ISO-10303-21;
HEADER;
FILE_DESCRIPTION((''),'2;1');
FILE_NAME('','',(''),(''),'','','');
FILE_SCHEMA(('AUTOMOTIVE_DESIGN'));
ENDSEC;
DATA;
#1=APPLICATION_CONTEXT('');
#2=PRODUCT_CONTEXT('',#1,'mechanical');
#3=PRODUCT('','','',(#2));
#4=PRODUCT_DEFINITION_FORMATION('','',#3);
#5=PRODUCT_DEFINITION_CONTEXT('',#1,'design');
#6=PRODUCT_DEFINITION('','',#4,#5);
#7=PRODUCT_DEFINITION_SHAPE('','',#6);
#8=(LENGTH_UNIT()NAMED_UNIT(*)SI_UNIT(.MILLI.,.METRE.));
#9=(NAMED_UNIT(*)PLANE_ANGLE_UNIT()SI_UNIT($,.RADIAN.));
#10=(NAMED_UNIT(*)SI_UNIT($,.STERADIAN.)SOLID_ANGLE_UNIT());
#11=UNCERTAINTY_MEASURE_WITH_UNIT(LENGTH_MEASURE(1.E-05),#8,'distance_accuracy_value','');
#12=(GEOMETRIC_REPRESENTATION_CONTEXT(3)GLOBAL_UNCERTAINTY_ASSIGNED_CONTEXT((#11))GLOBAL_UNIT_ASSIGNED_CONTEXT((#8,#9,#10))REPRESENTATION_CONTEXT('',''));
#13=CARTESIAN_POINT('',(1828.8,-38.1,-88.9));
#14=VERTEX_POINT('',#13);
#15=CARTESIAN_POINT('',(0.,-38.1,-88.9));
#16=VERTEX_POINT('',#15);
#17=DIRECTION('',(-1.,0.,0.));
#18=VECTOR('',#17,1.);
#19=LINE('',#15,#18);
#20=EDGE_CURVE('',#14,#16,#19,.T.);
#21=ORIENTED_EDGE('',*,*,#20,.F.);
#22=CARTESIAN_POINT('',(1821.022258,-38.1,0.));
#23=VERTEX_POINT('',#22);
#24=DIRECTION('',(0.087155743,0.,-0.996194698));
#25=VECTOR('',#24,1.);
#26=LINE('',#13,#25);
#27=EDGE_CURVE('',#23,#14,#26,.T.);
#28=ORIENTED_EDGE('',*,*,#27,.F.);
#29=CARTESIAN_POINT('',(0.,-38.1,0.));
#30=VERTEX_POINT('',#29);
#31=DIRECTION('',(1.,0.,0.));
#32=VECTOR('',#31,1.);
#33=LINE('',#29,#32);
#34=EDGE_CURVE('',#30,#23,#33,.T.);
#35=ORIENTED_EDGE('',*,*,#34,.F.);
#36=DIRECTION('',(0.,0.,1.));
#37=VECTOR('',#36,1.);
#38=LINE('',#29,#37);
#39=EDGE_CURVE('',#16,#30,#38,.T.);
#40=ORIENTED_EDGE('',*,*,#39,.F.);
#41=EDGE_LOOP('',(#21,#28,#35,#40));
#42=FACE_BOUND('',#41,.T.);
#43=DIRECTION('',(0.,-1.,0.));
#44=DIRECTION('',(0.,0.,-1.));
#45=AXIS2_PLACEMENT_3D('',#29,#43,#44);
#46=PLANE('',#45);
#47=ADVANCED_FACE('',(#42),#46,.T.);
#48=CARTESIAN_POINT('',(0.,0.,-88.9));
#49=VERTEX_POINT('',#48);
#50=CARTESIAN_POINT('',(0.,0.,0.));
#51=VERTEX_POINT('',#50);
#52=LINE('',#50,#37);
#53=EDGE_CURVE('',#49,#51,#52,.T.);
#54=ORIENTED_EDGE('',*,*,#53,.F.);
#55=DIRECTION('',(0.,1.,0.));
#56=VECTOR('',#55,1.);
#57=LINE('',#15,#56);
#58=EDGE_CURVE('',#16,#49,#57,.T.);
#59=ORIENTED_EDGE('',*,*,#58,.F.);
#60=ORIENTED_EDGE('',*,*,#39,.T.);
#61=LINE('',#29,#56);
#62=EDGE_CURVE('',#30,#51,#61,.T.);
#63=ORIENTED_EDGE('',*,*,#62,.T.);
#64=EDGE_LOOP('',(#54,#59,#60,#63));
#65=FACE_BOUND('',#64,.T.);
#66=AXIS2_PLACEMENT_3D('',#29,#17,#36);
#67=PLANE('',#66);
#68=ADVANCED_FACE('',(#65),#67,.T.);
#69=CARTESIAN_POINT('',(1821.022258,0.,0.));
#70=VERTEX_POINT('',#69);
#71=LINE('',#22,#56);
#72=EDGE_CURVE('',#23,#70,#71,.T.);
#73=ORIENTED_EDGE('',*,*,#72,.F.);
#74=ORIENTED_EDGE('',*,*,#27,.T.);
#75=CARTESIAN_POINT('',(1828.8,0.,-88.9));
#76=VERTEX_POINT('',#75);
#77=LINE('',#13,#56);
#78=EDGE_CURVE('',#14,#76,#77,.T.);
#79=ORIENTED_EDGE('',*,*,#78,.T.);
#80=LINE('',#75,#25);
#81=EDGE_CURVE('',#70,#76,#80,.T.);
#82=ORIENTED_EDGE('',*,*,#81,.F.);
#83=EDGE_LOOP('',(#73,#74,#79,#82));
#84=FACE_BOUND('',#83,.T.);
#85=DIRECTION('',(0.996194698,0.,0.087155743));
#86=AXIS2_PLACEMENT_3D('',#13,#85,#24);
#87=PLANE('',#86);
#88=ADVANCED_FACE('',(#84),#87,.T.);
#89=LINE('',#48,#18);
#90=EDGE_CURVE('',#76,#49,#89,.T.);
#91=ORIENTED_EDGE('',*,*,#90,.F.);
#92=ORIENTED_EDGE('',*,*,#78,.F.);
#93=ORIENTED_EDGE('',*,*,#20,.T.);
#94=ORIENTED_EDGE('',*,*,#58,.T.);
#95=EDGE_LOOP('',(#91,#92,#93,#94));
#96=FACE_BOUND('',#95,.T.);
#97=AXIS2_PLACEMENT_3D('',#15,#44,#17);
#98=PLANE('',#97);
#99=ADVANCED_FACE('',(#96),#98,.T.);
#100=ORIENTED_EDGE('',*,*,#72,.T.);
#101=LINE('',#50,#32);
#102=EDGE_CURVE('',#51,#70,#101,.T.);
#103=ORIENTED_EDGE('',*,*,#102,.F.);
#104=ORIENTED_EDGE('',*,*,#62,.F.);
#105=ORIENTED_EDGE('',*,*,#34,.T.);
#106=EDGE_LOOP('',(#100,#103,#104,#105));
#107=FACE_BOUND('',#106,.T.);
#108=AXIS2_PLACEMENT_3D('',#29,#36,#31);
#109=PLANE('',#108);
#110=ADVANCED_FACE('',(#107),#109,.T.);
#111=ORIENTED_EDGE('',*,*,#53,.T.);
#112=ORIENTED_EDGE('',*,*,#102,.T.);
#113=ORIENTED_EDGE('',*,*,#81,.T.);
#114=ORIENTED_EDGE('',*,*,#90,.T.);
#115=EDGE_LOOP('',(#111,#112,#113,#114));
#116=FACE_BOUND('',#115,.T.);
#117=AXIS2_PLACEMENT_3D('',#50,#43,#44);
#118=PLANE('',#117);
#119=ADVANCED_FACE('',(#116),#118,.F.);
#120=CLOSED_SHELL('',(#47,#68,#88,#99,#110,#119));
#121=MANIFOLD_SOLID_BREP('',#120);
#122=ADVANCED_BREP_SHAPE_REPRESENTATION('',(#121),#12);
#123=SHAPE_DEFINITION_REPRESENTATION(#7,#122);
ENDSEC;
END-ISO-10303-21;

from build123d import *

# Parameters (mm, degrees)
BOSS_EXTRUDE1_DEPTH = 38.1


with BuildPart() as part:
    # Sketch1 → Boss-Extrude1 (new body)
    with BuildSketch(Plane(origin=(0, 0, 0), x_dir=(1, 0, 0), z_dir=(0, 1, 0))):
        Polygon((1828.8, 88.9), (1821.022257813, 0), (0, 0), (0, 88.9), align=None)
    extrude(amount=-BOSS_EXTRUDE1_DEPTH)


solid = part.part
